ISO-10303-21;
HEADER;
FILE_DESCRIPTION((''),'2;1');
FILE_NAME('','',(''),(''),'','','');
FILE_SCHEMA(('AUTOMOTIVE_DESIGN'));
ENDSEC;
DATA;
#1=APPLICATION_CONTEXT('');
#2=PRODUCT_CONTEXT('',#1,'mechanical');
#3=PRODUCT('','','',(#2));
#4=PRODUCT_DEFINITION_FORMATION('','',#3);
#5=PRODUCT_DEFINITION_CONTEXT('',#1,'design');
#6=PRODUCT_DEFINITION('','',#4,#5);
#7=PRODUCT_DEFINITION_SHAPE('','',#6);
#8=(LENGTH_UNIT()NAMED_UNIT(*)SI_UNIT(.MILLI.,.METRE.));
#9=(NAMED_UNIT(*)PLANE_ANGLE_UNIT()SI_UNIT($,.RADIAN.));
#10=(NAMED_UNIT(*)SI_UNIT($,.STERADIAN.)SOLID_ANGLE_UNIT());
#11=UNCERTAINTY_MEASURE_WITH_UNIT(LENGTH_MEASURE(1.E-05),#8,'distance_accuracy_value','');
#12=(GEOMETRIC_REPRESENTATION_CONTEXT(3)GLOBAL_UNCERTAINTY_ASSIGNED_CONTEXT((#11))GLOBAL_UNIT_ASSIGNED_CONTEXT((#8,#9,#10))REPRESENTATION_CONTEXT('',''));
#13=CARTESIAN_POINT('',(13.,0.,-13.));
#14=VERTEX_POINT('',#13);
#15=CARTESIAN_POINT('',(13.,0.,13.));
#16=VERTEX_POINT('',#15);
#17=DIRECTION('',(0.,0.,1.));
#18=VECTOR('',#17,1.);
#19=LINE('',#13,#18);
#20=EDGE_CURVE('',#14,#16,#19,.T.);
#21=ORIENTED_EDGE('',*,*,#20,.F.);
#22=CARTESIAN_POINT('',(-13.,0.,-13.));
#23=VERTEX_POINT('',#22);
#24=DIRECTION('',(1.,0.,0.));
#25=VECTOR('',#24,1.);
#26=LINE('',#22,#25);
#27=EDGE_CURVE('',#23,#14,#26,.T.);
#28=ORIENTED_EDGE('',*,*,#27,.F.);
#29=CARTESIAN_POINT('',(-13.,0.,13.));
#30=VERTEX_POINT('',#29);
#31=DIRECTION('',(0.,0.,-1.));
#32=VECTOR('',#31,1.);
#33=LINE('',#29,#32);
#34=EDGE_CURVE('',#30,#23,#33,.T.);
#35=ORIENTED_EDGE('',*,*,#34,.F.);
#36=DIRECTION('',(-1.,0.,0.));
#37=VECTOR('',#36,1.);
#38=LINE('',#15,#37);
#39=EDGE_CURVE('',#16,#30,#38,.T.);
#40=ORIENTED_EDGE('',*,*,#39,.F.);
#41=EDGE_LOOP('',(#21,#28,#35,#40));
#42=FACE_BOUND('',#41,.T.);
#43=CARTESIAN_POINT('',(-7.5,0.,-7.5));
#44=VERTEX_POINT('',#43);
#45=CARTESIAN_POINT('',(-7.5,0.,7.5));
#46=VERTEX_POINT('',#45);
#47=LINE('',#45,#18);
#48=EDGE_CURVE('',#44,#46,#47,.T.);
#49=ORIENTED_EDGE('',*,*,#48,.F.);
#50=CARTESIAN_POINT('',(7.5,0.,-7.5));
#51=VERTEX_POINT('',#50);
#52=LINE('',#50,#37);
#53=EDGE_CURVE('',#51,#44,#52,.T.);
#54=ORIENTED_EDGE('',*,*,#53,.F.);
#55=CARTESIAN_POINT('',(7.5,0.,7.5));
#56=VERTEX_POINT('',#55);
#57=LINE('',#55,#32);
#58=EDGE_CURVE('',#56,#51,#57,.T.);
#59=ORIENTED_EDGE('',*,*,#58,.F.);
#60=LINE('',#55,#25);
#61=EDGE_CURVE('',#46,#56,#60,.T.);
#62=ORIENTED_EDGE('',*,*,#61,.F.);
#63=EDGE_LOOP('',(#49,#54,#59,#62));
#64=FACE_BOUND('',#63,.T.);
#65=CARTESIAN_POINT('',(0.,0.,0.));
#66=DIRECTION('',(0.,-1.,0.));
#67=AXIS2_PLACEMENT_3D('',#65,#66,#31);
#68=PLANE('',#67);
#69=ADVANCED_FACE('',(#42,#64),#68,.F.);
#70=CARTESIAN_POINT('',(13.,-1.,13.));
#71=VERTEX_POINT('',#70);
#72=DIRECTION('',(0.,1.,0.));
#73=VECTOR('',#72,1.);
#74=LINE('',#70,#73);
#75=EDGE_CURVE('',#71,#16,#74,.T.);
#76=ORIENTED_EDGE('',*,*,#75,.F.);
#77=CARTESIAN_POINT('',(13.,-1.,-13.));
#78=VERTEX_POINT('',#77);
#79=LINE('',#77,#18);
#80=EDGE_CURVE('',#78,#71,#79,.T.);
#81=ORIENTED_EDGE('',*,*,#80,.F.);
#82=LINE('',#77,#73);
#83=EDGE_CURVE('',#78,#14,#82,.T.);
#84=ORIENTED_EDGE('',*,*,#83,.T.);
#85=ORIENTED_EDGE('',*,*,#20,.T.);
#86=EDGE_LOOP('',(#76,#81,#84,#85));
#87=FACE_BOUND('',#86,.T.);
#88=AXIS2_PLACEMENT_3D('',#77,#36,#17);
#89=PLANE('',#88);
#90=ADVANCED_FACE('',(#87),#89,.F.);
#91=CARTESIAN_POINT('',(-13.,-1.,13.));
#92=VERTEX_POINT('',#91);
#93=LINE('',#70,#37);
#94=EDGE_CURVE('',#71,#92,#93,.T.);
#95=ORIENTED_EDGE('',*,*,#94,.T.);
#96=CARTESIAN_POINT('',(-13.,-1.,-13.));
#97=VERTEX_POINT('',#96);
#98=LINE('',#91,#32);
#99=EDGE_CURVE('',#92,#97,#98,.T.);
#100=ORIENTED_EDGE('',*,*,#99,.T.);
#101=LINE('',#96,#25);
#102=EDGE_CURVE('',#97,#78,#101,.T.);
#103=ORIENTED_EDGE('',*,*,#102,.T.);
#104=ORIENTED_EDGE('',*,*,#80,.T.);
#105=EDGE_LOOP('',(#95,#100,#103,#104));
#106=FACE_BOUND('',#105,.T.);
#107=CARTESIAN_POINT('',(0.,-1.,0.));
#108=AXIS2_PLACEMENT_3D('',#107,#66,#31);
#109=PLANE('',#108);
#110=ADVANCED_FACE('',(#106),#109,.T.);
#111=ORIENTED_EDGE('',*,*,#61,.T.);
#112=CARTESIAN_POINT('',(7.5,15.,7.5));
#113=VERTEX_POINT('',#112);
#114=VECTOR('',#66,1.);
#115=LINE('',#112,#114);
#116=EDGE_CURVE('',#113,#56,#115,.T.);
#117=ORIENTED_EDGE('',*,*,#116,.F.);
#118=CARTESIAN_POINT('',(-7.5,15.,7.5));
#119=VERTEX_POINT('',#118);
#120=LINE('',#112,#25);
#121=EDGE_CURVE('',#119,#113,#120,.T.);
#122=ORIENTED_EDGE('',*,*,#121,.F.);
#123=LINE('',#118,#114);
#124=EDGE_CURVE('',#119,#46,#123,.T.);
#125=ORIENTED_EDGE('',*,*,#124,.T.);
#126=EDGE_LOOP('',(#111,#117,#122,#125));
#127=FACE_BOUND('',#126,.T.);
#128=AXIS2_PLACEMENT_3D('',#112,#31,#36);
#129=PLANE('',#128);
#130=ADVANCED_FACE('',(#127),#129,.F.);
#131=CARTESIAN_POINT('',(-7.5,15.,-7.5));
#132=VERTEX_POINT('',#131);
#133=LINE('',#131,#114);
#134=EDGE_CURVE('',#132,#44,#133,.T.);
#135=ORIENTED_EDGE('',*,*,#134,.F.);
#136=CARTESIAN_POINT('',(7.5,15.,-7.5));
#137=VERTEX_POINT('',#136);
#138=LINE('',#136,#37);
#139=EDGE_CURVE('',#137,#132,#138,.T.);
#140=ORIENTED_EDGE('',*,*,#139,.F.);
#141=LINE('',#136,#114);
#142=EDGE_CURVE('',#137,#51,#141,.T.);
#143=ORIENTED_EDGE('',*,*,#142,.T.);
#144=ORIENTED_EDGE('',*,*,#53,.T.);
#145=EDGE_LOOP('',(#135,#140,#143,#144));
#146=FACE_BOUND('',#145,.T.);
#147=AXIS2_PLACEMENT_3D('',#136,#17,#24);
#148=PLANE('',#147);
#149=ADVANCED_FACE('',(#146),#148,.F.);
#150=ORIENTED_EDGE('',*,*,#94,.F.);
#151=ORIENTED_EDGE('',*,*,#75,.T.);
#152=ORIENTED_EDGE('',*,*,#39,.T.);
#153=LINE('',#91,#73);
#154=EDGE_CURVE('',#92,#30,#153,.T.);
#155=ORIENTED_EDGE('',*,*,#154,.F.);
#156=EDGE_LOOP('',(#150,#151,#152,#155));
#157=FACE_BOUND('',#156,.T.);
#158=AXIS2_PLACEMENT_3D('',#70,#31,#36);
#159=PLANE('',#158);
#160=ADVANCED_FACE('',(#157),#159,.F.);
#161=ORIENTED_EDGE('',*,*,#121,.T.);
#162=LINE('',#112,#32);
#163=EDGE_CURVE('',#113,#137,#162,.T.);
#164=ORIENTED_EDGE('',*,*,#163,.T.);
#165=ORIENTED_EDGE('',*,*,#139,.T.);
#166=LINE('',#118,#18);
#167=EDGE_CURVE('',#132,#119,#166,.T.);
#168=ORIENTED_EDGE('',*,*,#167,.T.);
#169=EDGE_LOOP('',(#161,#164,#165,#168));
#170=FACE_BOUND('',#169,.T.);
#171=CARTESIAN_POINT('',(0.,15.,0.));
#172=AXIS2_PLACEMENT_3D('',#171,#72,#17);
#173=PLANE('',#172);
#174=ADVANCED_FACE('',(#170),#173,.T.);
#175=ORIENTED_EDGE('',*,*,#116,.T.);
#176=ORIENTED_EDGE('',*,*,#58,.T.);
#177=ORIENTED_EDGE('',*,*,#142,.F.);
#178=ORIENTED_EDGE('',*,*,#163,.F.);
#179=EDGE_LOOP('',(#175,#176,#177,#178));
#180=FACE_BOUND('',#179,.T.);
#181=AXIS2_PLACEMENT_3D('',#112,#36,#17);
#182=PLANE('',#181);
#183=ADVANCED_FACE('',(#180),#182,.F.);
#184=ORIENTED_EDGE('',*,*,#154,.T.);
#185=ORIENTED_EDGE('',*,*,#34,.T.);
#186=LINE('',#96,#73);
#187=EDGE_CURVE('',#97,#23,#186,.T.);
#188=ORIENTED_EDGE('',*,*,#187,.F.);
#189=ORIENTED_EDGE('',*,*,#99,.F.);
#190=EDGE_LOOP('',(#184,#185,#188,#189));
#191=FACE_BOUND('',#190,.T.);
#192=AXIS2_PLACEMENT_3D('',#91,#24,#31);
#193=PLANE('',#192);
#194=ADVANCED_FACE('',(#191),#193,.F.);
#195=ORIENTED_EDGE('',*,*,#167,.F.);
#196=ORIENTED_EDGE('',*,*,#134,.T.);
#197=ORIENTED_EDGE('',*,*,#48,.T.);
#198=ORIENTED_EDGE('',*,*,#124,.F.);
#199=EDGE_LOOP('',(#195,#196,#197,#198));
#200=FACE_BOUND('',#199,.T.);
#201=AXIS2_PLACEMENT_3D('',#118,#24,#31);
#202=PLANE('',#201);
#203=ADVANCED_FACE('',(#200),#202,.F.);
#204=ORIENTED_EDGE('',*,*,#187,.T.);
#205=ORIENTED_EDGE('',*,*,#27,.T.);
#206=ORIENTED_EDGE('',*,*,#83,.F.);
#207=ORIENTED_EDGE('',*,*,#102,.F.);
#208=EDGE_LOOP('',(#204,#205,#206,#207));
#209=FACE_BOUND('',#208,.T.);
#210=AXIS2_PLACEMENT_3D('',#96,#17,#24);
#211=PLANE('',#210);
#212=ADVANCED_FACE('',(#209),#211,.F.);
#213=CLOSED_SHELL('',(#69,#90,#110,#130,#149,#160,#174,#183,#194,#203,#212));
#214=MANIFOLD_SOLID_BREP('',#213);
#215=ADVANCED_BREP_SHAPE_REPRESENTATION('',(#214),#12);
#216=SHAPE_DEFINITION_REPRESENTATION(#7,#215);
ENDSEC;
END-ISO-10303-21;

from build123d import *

# Parameters (mm, degrees)
SKETCH1_W           = 15
SKETCH1_H           = 15
BOSS_EXTRUDE1_DEPTH = 15
SKETCH2_W           = 26
SKETCH2_H           = 26
BOSS_EXTRUDE2_DEPTH = 1


with BuildPart() as part:
    # Sketch1 → Boss-Extrude1 (new body)
    with BuildSketch(Plane(origin=(0, 0, 0), x_dir=(1, 0, 0), z_dir=(0, 1, 0))):
        Rectangle(SKETCH1_W, SKETCH1_H)
    extrude(amount=BOSS_EXTRUDE1_DEPTH)

    # Sketch2 → Boss-Extrude2 (add)
    with BuildSketch(Plane.XZ):
        Rectangle(SKETCH2_W, SKETCH2_H)
    extrude(amount=BOSS_EXTRUDE2_DEPTH)


solid = part.part
